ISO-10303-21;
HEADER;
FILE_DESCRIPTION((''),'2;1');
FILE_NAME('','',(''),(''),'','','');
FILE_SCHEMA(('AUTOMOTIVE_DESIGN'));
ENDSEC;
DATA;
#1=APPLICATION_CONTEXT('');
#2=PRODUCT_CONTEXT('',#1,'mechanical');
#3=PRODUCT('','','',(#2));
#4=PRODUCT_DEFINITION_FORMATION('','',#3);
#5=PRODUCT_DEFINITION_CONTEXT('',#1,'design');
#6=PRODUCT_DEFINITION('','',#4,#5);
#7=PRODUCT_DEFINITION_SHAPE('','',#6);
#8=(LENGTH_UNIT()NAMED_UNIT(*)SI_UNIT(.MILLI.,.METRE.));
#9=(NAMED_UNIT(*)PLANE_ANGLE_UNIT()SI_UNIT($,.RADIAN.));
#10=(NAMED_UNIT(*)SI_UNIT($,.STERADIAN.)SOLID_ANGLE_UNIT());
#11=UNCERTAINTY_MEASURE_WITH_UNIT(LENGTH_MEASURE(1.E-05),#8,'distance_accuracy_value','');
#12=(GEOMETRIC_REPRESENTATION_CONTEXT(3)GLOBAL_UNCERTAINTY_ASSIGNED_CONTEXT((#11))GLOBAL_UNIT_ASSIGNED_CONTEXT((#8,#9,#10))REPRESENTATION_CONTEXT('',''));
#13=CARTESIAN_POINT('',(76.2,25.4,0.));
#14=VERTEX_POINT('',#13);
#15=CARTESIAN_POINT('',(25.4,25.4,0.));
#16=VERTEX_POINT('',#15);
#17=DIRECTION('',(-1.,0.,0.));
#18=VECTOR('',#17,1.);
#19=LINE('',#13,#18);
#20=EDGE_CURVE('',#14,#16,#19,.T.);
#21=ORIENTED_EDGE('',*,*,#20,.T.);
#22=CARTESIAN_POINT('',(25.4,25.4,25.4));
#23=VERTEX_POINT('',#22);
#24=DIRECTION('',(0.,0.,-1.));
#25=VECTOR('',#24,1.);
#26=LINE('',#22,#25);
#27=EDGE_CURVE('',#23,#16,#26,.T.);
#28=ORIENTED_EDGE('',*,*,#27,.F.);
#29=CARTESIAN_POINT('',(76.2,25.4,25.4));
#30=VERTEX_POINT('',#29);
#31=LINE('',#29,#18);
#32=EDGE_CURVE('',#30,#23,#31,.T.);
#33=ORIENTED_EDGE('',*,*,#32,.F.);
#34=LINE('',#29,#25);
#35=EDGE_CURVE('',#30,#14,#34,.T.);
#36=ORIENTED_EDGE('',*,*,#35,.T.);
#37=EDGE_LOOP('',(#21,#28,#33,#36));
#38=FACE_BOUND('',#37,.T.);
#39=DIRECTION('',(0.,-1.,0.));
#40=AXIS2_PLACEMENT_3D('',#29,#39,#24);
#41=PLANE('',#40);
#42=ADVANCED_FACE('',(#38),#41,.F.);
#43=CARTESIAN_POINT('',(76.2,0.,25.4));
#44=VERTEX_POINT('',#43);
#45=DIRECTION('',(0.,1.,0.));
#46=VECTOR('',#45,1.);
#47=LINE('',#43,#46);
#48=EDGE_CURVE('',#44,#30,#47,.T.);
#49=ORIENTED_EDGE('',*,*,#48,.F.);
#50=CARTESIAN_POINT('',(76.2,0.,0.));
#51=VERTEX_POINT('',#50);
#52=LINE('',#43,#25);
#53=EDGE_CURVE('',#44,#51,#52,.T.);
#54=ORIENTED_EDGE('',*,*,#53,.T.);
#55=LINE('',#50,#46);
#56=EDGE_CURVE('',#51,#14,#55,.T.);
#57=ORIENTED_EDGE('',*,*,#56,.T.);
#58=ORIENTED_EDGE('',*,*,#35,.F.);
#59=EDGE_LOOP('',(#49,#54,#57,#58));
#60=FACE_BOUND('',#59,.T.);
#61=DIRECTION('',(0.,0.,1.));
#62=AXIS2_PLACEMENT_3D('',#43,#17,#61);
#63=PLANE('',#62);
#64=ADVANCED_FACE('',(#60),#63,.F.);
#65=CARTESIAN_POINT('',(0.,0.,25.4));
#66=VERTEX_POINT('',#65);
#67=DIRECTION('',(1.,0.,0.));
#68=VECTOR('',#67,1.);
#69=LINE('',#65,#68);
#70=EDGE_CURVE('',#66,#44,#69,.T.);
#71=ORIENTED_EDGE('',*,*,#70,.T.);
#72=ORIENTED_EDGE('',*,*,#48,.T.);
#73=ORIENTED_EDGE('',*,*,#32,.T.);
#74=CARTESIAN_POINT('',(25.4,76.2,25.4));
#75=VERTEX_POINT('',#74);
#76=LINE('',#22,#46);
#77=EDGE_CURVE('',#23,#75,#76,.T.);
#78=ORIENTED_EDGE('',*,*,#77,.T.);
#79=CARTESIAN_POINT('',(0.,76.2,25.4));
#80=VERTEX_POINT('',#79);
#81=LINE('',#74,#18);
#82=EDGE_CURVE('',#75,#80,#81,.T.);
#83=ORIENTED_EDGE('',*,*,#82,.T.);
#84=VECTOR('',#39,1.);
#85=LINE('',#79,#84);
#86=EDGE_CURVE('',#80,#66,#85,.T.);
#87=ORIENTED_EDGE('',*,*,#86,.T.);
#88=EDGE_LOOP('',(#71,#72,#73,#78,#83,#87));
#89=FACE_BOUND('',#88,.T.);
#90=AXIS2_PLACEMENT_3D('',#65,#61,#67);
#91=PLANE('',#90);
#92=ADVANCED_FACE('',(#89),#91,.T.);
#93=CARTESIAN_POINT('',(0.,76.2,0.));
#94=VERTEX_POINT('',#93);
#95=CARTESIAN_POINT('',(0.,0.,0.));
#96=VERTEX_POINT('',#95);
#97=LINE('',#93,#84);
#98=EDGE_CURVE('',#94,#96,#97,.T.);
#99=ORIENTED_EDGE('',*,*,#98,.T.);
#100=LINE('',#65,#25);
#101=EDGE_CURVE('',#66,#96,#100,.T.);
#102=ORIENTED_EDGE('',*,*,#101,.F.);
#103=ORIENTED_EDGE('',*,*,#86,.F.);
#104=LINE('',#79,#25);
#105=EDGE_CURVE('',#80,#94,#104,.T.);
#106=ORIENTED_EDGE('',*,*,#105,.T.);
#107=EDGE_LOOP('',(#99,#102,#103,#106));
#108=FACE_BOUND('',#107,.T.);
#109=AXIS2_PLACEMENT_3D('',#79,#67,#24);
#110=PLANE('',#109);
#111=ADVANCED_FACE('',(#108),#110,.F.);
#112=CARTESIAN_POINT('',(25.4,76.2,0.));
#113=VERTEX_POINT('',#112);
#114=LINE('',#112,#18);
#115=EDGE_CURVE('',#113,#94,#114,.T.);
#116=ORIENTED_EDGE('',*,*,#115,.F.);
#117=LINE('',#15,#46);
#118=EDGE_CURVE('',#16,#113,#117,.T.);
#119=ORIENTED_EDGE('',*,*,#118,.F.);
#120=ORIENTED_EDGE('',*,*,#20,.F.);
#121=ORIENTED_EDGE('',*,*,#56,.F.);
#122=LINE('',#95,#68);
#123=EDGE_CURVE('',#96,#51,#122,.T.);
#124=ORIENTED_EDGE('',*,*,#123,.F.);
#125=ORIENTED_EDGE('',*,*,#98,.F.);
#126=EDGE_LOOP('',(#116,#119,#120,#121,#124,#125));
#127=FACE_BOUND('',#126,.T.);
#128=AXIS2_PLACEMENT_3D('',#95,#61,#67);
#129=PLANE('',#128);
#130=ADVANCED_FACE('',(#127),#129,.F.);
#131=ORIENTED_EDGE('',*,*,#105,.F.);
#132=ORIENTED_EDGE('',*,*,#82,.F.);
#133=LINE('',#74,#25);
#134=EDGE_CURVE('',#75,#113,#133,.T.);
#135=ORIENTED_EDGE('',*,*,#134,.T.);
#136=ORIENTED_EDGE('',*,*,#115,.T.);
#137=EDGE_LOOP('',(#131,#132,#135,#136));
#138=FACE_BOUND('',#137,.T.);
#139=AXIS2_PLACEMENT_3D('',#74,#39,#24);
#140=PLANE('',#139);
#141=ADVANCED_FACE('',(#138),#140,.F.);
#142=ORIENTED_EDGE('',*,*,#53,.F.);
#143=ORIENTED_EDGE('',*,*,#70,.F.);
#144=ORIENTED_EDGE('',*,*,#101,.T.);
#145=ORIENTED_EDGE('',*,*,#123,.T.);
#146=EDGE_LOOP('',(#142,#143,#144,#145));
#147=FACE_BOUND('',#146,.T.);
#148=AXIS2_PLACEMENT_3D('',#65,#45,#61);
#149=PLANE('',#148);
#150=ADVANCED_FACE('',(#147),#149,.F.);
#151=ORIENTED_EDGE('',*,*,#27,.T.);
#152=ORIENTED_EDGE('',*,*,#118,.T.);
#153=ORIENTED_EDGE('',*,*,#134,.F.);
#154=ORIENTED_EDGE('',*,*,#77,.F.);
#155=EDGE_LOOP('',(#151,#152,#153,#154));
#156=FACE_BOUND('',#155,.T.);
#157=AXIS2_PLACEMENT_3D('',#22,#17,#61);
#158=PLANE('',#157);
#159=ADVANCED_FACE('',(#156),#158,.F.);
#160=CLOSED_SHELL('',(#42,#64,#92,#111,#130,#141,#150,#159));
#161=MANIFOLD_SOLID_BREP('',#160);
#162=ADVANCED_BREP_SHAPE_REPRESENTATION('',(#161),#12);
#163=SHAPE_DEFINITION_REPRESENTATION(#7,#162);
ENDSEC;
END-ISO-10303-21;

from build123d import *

# Parameters (mm, degrees)
BOSS_EXTRUDE1_DEPTH = 25.4


with BuildPart() as part:
    # Sketch1 → Boss-Extrude1 (new body)
    with BuildSketch(Plane.XY):
        Polygon((76.2, 0), (76.2, 25.4), (25.4, 25.4), (25.4, 76.2), (0, 76.2), (0, 0), align=None)
    extrude(amount=BOSS_EXTRUDE1_DEPTH)


solid = part.part
